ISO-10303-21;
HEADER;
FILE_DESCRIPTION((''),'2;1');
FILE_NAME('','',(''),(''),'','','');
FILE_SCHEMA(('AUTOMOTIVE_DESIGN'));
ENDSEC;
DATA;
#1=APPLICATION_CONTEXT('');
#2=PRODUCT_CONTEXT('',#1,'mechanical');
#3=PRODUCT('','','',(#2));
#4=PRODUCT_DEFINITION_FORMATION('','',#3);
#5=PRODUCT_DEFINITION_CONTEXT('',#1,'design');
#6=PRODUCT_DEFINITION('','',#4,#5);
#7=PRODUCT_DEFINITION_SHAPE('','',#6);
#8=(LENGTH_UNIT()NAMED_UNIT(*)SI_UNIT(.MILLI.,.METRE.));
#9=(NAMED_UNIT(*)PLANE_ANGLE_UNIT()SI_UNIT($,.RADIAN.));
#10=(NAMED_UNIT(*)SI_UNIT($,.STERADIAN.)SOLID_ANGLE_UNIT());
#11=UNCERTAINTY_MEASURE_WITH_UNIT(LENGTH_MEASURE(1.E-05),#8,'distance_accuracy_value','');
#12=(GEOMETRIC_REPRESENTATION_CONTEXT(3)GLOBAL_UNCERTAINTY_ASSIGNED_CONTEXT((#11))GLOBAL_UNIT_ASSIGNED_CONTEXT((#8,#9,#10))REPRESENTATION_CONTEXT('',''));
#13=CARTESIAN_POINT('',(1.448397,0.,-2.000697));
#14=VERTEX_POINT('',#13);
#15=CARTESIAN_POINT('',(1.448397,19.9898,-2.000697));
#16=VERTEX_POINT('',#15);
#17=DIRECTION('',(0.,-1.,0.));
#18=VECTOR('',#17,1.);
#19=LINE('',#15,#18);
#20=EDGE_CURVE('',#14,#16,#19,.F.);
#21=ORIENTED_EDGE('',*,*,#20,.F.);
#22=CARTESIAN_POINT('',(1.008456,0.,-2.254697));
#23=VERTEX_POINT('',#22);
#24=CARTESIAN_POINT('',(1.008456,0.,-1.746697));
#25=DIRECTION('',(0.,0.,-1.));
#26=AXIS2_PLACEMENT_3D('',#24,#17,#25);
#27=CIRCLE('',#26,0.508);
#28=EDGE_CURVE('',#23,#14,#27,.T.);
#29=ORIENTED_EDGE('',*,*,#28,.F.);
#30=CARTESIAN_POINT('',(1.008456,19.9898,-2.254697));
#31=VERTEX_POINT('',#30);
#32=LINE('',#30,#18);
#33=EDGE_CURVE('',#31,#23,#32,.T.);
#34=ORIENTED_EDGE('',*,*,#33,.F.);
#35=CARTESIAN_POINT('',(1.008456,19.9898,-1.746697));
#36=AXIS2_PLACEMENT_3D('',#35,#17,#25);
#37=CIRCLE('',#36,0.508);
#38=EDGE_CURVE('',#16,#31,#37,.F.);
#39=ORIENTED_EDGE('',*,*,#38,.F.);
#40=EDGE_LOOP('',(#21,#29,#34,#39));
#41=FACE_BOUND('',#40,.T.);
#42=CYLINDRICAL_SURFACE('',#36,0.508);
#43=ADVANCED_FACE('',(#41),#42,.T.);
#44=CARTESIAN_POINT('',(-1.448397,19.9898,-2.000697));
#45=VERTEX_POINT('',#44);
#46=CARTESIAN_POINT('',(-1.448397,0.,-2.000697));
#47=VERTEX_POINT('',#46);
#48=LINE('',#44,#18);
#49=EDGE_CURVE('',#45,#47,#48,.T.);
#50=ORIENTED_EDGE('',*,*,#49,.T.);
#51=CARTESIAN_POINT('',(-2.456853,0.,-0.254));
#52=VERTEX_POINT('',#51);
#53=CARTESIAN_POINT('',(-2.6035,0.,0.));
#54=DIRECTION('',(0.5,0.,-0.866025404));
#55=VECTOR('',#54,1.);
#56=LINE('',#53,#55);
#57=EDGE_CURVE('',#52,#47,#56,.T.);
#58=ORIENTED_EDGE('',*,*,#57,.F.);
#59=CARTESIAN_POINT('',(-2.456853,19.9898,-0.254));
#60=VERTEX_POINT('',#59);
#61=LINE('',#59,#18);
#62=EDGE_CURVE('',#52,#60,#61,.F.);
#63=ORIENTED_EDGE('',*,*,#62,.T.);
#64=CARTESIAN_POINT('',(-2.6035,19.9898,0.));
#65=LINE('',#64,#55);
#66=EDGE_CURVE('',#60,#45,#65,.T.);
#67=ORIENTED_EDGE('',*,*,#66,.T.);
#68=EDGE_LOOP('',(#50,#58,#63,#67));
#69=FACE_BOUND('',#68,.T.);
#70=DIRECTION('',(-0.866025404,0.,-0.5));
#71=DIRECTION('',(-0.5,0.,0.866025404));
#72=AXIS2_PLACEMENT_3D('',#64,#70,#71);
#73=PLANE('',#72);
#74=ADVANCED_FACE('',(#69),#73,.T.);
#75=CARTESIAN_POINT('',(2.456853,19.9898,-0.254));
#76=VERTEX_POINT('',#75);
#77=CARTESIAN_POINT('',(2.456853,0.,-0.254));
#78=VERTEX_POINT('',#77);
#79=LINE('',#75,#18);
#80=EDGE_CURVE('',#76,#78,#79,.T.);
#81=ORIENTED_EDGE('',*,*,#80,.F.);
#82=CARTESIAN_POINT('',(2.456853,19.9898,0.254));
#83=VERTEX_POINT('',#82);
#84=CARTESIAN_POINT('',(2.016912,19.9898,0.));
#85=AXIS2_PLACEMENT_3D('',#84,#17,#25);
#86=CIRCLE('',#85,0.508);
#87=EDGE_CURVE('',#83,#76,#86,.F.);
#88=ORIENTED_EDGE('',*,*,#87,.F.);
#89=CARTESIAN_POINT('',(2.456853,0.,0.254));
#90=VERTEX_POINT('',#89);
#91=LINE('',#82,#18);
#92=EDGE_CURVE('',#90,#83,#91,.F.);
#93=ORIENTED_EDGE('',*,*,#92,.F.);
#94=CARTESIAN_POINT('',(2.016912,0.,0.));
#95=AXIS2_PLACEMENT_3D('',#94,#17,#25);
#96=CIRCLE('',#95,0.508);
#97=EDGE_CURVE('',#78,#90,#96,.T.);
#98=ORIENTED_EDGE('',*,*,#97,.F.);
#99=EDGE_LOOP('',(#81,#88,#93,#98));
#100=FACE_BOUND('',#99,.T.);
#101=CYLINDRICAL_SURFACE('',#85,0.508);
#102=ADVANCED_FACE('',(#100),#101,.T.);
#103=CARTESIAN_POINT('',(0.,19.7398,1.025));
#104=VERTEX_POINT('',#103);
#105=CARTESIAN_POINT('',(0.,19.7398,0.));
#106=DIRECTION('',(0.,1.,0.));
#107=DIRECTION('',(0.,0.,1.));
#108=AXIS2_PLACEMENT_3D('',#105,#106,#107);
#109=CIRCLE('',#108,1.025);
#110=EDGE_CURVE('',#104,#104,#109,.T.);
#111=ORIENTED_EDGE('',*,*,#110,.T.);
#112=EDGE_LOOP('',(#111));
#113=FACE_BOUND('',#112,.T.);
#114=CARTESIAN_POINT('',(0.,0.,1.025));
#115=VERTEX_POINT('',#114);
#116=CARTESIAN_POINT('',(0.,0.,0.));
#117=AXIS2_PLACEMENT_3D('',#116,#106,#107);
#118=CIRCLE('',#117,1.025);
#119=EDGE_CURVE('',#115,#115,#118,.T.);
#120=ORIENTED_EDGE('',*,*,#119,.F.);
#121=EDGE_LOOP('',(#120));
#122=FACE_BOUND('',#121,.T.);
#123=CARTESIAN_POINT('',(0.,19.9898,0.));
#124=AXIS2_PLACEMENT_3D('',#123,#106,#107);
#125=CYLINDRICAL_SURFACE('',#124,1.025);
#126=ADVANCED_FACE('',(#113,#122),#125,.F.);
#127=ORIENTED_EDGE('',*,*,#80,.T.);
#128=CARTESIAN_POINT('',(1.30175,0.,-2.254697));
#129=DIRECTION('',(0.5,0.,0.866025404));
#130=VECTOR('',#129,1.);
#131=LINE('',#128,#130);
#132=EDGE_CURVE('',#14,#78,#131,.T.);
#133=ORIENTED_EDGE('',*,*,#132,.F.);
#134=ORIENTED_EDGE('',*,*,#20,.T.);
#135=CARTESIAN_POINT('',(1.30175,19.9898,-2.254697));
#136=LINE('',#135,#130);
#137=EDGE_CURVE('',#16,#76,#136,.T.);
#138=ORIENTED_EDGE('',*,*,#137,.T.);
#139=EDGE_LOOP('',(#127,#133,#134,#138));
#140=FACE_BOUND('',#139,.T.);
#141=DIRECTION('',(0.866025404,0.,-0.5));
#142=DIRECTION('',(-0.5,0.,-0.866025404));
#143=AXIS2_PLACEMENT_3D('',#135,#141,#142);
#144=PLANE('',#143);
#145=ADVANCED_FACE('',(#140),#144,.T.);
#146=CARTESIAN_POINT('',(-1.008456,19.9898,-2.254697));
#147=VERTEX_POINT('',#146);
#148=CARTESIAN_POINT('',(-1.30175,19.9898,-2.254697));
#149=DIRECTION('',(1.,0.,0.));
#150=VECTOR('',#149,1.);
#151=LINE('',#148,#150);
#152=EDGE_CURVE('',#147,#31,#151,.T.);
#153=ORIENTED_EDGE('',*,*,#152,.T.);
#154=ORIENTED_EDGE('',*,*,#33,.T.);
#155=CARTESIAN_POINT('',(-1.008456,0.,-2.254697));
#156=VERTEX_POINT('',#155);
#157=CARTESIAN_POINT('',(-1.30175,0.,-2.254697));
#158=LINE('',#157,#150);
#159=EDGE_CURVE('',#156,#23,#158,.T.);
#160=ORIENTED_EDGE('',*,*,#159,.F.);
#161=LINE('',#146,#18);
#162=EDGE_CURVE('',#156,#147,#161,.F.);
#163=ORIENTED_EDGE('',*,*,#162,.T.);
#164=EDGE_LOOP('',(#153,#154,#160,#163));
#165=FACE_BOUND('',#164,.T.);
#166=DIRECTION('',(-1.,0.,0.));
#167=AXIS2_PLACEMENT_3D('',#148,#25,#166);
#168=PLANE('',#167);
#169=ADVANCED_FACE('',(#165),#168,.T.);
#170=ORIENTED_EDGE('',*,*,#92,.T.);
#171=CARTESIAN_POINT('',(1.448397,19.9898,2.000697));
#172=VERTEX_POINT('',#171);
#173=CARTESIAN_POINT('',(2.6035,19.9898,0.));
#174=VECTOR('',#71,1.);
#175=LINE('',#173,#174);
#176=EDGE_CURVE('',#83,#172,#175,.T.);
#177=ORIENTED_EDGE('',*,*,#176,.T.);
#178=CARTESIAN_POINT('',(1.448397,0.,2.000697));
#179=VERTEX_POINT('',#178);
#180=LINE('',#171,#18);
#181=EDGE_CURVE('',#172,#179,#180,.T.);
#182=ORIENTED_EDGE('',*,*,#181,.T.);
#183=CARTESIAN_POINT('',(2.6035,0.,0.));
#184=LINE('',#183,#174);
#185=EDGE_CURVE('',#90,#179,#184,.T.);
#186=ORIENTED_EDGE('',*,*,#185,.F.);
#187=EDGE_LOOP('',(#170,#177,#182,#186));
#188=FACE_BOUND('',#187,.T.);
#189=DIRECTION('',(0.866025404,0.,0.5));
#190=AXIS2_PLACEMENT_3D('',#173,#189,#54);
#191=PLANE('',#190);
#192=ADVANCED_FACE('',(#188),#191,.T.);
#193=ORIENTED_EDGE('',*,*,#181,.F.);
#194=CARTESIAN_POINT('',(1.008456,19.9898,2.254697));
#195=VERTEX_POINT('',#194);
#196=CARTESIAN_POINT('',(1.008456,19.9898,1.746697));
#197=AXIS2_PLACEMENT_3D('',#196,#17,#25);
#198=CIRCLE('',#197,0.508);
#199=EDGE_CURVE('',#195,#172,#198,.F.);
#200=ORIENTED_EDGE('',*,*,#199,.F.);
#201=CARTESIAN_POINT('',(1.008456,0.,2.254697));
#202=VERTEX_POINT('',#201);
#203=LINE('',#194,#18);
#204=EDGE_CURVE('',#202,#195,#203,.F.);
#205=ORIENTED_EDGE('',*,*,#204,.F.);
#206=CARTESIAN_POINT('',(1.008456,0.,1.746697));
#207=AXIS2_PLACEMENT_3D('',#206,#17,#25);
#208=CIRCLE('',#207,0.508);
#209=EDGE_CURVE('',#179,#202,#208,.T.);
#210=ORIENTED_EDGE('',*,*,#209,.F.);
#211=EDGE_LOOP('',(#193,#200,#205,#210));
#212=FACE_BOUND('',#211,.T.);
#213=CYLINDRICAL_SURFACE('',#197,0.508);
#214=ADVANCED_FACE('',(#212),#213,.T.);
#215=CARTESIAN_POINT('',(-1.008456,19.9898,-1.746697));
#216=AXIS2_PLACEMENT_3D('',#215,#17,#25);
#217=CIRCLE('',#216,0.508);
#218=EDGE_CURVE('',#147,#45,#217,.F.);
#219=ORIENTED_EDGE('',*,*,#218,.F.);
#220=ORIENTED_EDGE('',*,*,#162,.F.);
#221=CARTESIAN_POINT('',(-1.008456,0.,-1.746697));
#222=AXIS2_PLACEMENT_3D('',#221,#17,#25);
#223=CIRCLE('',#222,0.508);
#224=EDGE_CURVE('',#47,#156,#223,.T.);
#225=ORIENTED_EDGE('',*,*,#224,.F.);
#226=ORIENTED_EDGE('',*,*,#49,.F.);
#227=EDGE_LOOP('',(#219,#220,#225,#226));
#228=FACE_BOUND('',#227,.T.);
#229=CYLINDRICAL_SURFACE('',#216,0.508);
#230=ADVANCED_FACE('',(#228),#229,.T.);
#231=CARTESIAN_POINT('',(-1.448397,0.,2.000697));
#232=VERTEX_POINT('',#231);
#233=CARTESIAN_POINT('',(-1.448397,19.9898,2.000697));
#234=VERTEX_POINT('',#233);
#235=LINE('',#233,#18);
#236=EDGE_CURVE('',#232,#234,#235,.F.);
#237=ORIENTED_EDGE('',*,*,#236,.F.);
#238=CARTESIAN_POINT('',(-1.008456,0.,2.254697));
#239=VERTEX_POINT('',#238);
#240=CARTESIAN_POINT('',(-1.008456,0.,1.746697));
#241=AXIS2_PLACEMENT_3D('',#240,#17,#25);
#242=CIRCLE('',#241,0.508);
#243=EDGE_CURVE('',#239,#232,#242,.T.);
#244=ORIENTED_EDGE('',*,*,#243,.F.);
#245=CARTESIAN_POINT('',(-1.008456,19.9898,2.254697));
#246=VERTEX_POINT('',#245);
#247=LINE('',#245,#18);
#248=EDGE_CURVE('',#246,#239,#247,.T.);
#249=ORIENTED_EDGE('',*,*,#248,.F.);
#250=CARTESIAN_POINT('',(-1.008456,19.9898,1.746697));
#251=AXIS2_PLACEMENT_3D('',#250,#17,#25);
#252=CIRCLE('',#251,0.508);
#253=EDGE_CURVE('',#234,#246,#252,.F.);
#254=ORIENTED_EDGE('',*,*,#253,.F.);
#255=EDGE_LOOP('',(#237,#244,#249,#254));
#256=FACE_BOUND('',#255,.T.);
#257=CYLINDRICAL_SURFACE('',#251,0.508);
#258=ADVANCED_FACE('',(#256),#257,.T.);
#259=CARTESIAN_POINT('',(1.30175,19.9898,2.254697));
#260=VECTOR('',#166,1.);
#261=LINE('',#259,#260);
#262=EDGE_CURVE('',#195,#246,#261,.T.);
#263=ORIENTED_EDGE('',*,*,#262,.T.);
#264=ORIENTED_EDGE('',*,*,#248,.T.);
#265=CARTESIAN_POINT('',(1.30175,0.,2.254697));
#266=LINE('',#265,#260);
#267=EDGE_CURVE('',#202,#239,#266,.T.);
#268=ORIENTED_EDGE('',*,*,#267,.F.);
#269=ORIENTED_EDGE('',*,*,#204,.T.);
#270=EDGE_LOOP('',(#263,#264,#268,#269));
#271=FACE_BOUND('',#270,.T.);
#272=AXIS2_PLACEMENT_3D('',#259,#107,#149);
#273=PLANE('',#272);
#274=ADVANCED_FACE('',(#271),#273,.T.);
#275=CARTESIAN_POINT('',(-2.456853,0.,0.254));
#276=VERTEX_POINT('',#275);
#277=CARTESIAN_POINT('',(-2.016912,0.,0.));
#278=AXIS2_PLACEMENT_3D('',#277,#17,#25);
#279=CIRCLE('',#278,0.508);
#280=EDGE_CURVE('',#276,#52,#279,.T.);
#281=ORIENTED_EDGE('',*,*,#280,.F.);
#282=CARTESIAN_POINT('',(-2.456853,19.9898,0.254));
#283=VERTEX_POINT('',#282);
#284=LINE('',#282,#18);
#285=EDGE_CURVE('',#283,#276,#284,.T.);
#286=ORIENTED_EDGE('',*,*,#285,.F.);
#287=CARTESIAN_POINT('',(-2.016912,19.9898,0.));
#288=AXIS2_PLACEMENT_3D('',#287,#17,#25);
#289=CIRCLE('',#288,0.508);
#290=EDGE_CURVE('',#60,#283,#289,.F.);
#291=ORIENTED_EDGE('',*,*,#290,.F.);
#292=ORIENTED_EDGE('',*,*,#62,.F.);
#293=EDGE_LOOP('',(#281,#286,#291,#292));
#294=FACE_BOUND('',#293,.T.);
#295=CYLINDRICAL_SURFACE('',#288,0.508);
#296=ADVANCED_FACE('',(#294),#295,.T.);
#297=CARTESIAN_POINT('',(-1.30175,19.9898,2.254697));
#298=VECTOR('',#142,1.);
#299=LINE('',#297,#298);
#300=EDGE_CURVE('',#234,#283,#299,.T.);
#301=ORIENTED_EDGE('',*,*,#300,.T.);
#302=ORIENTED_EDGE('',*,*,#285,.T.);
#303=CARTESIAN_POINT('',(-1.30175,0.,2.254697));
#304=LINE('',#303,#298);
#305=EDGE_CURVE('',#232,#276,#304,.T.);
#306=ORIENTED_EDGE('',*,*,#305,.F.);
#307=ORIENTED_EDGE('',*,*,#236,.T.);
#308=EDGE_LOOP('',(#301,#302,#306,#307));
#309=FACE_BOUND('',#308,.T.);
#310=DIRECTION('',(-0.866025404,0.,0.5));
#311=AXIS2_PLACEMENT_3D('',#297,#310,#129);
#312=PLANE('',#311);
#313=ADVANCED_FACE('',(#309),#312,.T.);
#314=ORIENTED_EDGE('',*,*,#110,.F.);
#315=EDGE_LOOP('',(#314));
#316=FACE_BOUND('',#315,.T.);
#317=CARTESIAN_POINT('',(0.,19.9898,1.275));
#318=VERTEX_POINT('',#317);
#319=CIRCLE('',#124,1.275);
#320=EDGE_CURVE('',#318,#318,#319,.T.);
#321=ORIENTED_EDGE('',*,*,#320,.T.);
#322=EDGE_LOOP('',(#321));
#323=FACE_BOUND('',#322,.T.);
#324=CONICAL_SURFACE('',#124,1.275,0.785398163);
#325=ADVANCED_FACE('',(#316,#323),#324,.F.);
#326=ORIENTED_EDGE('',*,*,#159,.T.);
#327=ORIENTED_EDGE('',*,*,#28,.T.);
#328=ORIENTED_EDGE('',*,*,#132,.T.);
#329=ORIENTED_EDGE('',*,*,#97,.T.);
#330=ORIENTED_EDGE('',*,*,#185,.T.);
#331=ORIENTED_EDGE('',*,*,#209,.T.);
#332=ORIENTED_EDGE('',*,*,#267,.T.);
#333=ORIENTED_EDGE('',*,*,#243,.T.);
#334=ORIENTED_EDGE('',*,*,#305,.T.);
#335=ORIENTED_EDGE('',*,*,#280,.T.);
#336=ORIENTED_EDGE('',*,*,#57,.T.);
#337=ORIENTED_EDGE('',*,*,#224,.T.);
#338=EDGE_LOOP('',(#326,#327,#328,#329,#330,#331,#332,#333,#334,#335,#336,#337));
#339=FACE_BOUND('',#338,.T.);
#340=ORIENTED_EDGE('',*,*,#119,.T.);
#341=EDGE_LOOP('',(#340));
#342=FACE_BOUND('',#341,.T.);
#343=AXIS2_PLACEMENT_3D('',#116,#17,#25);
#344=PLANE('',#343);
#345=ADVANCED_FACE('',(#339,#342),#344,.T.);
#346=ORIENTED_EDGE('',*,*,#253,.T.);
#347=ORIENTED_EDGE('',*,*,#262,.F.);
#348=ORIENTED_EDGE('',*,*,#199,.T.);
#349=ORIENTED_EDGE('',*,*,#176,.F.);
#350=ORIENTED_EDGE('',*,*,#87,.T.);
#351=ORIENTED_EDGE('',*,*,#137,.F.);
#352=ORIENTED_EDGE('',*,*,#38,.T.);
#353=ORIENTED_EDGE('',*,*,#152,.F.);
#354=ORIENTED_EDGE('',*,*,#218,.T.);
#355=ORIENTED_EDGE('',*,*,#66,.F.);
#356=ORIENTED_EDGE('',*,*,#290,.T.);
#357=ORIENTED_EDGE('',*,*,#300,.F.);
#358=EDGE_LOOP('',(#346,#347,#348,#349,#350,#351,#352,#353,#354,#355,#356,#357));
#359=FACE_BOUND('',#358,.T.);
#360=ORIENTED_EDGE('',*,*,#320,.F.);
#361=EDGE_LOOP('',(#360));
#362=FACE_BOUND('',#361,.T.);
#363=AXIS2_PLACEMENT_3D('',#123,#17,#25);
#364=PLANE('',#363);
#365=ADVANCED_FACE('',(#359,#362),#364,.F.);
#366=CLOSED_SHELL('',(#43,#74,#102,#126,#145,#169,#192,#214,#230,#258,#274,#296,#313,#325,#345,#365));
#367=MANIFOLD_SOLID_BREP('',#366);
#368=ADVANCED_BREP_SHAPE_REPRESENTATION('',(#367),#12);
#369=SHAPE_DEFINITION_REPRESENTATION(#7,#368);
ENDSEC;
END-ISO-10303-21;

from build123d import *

# Parameters (mm, degrees)
BOSS_EXTRUDE1_DEPTH                = 19.9898
FILLET1_R                          = 0.508
M2_5X0_45_TAPPED_HOLE1_D           = 2.05
M2_5X0_45_TAPPED_HOLE1_CSINK_D     = 2.55
M2_5X0_45_TAPPED_HOLE1_CSINK_ANGLE = 90


with BuildPart() as part:
    # Sketch1 → Boss-Extrude1 (new body)
    with BuildSketch(Plane(origin=(0, 0, 0), x_dir=(1, 0, 0), z_dir=(0, 1, 0))):
        Polygon((-2.6035, 0), (-1.30175, 2.254697139), (1.30175, 2.254697139), (2.6035, 0), (1.30175, -2.254697139), (-1.30175, -2.254697139), align=None)
    extrude(amount=BOSS_EXTRUDE1_DEPTH)

    # Fillet1
    fillet1_edges = [part.edges().sort_by_distance(p)[0] for p in [
        (-2.6035, 9.9949, 0),
        (-1.30175, 9.9949, 2.254697139),
        (1.30175, 9.9949, 2.254697139),
        (2.6035, 9.9949, 0),
        (1.30175, 9.9949, -2.254697139),
        (-1.30175, 9.9949, -2.254697139),
    ]]
    fillet(fillet1_edges, radius=FILLET1_R)

    # M2.5x0.45 Tapped Hole1 (through all)
    with Locations(Plane.ZX.offset(19.9898)):
        with Locations((0, 0)):
            CounterSinkHole(M2_5X0_45_TAPPED_HOLE1_D / 2, M2_5X0_45_TAPPED_HOLE1_CSINK_D / 2, counter_sink_angle=M2_5X0_45_TAPPED_HOLE1_CSINK_ANGLE)


solid = part.part
